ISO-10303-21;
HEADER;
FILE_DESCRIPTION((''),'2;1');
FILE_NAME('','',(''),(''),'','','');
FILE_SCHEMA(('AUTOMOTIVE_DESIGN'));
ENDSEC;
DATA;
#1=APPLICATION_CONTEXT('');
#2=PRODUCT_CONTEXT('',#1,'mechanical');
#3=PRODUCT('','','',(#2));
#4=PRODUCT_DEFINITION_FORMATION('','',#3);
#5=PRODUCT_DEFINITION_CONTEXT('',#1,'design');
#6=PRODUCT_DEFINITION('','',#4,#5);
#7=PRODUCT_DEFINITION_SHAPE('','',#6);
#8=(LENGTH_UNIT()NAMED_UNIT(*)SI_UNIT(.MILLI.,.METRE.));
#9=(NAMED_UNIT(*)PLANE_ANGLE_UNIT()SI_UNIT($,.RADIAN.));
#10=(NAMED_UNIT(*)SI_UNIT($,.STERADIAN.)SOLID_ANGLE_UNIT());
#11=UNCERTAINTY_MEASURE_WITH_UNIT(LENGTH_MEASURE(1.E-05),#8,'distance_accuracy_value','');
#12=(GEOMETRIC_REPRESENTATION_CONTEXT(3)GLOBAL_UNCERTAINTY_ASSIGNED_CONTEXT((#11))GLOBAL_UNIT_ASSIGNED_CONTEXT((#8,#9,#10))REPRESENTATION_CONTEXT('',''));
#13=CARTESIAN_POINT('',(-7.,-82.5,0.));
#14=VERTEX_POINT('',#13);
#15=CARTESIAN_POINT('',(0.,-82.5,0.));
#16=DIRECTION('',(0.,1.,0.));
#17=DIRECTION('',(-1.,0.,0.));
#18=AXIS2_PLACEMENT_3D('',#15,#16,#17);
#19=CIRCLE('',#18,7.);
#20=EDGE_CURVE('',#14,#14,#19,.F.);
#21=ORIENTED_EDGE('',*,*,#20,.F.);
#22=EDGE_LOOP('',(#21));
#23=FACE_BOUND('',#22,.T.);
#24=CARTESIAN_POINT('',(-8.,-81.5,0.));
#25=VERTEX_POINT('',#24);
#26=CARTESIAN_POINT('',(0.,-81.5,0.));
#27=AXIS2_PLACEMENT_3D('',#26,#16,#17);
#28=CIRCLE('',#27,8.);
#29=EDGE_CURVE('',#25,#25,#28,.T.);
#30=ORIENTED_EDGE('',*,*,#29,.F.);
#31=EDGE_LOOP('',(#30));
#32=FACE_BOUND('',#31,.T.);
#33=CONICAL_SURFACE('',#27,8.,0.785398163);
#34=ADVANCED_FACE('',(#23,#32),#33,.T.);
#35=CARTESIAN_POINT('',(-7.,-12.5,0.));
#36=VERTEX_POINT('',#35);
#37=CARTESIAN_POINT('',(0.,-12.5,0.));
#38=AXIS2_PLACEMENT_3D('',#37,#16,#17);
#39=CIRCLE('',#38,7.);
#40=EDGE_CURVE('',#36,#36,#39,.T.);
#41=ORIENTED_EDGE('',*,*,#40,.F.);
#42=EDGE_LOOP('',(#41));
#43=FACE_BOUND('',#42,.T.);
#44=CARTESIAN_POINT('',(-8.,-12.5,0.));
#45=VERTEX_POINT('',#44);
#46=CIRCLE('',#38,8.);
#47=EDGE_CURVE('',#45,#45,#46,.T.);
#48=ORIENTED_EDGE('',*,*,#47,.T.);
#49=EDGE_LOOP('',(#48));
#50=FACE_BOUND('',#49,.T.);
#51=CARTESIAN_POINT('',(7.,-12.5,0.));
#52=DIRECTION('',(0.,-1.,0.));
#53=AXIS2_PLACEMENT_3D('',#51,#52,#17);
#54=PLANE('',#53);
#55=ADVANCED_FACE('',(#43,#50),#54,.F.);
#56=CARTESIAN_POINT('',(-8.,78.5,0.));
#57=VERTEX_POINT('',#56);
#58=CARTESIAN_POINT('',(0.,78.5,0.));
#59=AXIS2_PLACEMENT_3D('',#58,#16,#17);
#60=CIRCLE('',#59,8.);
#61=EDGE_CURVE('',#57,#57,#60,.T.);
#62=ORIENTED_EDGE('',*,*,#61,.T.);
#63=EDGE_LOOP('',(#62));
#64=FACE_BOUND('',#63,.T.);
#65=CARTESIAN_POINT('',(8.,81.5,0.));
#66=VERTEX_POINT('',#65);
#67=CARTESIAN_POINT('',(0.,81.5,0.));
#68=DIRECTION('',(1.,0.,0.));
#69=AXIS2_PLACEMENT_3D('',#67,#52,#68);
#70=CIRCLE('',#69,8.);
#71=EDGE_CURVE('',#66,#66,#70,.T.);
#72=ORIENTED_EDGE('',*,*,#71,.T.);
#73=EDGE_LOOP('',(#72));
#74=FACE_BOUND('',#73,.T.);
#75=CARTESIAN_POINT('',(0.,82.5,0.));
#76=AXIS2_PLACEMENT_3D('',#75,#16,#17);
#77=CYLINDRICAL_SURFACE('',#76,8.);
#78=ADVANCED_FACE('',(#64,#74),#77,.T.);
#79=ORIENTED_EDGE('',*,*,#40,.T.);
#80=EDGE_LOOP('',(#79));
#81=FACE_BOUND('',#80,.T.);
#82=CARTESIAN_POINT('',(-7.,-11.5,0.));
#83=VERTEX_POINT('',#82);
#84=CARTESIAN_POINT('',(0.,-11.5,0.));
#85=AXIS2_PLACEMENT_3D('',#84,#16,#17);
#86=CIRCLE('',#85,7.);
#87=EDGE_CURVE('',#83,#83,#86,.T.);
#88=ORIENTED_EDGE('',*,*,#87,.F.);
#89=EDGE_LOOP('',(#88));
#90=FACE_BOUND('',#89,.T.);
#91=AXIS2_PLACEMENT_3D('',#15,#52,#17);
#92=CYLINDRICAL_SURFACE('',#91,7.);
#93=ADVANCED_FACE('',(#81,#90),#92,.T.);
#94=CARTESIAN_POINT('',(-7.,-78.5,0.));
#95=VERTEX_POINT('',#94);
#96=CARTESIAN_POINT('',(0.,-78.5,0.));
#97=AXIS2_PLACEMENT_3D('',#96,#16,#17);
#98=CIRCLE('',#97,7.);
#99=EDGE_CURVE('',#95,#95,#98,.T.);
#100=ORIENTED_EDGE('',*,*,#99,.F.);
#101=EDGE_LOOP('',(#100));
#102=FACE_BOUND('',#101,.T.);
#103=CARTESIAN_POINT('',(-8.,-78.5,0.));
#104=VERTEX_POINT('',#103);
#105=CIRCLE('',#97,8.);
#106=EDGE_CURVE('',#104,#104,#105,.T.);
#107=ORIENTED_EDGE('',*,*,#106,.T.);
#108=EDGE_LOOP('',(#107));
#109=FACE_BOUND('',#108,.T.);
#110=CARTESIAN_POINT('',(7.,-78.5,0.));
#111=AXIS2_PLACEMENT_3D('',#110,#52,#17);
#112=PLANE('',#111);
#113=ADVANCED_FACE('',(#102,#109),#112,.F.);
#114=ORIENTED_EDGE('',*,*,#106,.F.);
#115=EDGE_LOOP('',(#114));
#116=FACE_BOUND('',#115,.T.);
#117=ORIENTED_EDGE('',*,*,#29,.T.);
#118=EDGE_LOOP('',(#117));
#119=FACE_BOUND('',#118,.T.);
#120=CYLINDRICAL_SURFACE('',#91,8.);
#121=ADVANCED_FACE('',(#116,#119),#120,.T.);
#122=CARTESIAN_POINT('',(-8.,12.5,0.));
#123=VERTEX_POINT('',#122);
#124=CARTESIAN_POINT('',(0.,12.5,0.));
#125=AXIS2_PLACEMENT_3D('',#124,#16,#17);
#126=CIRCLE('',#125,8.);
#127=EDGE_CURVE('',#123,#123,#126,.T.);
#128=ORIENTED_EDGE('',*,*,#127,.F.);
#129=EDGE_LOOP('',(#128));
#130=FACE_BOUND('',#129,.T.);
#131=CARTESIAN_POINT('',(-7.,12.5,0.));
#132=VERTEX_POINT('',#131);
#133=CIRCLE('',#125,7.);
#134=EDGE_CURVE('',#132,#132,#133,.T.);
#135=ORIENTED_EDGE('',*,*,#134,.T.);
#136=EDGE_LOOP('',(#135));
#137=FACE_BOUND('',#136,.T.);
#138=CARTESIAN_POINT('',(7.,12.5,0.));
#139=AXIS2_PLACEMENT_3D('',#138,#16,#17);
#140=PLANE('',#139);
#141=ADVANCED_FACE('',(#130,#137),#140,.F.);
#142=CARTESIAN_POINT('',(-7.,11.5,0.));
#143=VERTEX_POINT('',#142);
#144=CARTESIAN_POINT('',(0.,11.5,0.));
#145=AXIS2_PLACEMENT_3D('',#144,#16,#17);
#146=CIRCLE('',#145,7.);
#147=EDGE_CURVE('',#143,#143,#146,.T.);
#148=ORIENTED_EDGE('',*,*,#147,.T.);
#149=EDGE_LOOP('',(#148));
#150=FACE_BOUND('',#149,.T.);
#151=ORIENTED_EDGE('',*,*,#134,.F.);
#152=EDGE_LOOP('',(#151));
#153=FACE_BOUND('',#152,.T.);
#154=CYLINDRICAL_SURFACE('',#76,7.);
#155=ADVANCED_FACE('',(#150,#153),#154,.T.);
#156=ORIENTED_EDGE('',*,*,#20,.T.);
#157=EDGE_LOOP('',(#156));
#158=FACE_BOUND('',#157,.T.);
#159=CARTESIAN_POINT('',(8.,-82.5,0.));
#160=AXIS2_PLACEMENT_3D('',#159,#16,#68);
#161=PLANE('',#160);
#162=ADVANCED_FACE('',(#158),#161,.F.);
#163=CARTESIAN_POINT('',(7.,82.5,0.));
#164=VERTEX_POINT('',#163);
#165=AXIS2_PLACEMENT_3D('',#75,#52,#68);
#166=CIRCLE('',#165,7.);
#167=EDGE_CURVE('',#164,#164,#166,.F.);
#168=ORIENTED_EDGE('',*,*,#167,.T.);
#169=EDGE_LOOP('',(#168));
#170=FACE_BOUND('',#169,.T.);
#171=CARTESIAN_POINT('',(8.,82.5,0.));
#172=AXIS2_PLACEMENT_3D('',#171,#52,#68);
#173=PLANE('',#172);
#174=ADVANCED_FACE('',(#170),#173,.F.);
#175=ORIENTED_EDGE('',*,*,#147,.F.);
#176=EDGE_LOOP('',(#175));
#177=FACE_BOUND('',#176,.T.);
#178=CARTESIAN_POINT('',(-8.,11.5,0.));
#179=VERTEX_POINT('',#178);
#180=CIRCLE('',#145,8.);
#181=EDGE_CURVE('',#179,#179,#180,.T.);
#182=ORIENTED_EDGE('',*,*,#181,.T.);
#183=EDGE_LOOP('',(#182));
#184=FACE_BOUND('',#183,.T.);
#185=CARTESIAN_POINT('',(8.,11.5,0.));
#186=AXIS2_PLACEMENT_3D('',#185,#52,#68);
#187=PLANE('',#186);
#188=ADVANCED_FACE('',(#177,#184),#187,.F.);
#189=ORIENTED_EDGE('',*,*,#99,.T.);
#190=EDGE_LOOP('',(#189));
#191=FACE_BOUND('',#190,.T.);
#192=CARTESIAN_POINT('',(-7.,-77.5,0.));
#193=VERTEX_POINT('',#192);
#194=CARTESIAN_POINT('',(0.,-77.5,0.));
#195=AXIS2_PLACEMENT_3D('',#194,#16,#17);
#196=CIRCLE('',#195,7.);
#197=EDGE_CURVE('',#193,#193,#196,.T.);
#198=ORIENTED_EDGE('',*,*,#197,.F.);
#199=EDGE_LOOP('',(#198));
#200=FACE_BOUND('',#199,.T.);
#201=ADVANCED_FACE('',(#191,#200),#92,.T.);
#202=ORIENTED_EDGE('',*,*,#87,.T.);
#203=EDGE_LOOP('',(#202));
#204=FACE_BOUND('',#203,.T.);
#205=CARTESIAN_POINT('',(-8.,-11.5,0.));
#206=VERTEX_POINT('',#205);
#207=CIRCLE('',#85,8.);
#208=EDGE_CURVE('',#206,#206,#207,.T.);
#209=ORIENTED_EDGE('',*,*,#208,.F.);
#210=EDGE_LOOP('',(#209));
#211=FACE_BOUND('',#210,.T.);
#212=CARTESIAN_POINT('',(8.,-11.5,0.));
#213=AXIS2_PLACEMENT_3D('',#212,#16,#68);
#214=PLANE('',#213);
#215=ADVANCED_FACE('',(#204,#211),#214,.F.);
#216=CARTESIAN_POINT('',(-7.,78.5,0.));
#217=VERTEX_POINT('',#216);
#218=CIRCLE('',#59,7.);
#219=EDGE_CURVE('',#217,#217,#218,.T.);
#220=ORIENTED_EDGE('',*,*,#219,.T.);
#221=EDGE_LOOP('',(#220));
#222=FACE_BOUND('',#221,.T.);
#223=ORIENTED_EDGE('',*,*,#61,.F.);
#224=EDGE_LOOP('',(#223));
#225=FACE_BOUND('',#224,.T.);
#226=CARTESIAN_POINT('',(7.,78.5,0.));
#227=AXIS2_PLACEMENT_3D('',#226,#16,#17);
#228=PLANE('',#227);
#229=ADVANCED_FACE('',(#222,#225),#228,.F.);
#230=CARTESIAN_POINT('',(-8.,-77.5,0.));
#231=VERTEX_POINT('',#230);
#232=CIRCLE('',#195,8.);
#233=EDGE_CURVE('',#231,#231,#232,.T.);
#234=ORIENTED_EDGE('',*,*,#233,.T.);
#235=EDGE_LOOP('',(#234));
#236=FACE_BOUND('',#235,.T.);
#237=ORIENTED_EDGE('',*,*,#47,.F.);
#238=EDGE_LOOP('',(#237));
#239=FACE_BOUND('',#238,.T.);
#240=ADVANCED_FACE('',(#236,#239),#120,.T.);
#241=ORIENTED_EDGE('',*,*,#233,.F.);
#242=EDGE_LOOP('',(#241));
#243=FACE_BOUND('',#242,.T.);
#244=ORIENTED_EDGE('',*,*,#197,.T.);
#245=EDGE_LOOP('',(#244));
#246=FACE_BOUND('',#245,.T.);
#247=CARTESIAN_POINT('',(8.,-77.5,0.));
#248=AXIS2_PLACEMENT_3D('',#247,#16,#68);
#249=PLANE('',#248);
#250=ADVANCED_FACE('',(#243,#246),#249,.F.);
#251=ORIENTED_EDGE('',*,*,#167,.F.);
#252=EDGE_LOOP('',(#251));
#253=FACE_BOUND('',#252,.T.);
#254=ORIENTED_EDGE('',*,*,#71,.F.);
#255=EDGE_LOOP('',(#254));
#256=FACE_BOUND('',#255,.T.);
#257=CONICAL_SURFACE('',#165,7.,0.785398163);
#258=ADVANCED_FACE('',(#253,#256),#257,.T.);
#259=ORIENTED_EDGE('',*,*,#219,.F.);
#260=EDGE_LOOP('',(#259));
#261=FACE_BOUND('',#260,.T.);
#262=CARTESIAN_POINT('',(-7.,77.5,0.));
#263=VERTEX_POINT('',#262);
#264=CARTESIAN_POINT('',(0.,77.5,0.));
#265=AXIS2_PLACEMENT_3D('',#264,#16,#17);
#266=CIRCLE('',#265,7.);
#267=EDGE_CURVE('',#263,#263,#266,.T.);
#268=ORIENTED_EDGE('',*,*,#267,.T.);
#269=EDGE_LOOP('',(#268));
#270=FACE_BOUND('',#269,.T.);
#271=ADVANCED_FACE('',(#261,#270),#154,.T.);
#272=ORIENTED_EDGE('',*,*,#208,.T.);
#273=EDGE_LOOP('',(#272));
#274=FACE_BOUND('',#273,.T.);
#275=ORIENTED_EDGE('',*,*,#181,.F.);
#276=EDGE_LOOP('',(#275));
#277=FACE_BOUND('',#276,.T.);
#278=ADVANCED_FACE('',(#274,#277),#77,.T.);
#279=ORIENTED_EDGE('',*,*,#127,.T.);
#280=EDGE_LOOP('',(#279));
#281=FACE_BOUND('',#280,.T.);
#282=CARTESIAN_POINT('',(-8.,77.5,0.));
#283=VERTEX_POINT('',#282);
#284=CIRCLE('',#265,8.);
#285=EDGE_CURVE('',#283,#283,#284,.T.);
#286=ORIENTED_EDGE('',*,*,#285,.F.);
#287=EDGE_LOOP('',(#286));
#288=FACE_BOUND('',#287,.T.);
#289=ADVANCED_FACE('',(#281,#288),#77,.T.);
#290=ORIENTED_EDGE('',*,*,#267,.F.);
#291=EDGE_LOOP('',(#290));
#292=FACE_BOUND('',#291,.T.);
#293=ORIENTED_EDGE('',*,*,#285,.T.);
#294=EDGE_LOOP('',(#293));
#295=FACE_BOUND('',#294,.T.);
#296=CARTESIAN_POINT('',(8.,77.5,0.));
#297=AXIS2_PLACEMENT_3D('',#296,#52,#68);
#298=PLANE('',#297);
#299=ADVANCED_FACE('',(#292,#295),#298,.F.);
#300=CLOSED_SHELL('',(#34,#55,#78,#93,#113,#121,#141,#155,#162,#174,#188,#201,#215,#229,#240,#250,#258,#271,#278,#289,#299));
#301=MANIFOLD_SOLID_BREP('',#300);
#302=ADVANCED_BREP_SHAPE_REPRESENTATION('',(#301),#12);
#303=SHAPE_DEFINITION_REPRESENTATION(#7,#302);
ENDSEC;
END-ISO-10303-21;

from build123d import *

# Parameters (mm, degrees)
CHAMFER1_SIZE = 1


with BuildPart() as part:
    # Sketch2 → Revolve1 (revolve)
    with BuildSketch(Plane.XY, mode=Mode.PRIVATE) as revolve1_sk:
        Polygon((0, 0), (8, 0), (8, 11.5), (7, 11.5), (7, 12.5), (8, 12.5), (8, 77.5), (7, 77.5), (7, 78.5), (8, 78.5), (8, 82.5), (0, 82.5), align=None)
    revolve1 = revolve(revolve1_sk.sketch.rotate(Axis((0, 82.5, 0), (0, -1, 0)), 180), axis=Axis((0, 82.5, 0), (0, -1, 0)))

    # Mirror1: Revolve1 across plane
    add(revolve1.mirror(Plane.ZX))

    # Chamfer1
    chamfer1_edges = [part.edges().sort_by_distance(p)[0] for p in [
        (8, -82.5, 0),
        (8, 82.5, 0),
    ]]
    chamfer(chamfer1_edges, length=CHAMFER1_SIZE)


solid = part.part
